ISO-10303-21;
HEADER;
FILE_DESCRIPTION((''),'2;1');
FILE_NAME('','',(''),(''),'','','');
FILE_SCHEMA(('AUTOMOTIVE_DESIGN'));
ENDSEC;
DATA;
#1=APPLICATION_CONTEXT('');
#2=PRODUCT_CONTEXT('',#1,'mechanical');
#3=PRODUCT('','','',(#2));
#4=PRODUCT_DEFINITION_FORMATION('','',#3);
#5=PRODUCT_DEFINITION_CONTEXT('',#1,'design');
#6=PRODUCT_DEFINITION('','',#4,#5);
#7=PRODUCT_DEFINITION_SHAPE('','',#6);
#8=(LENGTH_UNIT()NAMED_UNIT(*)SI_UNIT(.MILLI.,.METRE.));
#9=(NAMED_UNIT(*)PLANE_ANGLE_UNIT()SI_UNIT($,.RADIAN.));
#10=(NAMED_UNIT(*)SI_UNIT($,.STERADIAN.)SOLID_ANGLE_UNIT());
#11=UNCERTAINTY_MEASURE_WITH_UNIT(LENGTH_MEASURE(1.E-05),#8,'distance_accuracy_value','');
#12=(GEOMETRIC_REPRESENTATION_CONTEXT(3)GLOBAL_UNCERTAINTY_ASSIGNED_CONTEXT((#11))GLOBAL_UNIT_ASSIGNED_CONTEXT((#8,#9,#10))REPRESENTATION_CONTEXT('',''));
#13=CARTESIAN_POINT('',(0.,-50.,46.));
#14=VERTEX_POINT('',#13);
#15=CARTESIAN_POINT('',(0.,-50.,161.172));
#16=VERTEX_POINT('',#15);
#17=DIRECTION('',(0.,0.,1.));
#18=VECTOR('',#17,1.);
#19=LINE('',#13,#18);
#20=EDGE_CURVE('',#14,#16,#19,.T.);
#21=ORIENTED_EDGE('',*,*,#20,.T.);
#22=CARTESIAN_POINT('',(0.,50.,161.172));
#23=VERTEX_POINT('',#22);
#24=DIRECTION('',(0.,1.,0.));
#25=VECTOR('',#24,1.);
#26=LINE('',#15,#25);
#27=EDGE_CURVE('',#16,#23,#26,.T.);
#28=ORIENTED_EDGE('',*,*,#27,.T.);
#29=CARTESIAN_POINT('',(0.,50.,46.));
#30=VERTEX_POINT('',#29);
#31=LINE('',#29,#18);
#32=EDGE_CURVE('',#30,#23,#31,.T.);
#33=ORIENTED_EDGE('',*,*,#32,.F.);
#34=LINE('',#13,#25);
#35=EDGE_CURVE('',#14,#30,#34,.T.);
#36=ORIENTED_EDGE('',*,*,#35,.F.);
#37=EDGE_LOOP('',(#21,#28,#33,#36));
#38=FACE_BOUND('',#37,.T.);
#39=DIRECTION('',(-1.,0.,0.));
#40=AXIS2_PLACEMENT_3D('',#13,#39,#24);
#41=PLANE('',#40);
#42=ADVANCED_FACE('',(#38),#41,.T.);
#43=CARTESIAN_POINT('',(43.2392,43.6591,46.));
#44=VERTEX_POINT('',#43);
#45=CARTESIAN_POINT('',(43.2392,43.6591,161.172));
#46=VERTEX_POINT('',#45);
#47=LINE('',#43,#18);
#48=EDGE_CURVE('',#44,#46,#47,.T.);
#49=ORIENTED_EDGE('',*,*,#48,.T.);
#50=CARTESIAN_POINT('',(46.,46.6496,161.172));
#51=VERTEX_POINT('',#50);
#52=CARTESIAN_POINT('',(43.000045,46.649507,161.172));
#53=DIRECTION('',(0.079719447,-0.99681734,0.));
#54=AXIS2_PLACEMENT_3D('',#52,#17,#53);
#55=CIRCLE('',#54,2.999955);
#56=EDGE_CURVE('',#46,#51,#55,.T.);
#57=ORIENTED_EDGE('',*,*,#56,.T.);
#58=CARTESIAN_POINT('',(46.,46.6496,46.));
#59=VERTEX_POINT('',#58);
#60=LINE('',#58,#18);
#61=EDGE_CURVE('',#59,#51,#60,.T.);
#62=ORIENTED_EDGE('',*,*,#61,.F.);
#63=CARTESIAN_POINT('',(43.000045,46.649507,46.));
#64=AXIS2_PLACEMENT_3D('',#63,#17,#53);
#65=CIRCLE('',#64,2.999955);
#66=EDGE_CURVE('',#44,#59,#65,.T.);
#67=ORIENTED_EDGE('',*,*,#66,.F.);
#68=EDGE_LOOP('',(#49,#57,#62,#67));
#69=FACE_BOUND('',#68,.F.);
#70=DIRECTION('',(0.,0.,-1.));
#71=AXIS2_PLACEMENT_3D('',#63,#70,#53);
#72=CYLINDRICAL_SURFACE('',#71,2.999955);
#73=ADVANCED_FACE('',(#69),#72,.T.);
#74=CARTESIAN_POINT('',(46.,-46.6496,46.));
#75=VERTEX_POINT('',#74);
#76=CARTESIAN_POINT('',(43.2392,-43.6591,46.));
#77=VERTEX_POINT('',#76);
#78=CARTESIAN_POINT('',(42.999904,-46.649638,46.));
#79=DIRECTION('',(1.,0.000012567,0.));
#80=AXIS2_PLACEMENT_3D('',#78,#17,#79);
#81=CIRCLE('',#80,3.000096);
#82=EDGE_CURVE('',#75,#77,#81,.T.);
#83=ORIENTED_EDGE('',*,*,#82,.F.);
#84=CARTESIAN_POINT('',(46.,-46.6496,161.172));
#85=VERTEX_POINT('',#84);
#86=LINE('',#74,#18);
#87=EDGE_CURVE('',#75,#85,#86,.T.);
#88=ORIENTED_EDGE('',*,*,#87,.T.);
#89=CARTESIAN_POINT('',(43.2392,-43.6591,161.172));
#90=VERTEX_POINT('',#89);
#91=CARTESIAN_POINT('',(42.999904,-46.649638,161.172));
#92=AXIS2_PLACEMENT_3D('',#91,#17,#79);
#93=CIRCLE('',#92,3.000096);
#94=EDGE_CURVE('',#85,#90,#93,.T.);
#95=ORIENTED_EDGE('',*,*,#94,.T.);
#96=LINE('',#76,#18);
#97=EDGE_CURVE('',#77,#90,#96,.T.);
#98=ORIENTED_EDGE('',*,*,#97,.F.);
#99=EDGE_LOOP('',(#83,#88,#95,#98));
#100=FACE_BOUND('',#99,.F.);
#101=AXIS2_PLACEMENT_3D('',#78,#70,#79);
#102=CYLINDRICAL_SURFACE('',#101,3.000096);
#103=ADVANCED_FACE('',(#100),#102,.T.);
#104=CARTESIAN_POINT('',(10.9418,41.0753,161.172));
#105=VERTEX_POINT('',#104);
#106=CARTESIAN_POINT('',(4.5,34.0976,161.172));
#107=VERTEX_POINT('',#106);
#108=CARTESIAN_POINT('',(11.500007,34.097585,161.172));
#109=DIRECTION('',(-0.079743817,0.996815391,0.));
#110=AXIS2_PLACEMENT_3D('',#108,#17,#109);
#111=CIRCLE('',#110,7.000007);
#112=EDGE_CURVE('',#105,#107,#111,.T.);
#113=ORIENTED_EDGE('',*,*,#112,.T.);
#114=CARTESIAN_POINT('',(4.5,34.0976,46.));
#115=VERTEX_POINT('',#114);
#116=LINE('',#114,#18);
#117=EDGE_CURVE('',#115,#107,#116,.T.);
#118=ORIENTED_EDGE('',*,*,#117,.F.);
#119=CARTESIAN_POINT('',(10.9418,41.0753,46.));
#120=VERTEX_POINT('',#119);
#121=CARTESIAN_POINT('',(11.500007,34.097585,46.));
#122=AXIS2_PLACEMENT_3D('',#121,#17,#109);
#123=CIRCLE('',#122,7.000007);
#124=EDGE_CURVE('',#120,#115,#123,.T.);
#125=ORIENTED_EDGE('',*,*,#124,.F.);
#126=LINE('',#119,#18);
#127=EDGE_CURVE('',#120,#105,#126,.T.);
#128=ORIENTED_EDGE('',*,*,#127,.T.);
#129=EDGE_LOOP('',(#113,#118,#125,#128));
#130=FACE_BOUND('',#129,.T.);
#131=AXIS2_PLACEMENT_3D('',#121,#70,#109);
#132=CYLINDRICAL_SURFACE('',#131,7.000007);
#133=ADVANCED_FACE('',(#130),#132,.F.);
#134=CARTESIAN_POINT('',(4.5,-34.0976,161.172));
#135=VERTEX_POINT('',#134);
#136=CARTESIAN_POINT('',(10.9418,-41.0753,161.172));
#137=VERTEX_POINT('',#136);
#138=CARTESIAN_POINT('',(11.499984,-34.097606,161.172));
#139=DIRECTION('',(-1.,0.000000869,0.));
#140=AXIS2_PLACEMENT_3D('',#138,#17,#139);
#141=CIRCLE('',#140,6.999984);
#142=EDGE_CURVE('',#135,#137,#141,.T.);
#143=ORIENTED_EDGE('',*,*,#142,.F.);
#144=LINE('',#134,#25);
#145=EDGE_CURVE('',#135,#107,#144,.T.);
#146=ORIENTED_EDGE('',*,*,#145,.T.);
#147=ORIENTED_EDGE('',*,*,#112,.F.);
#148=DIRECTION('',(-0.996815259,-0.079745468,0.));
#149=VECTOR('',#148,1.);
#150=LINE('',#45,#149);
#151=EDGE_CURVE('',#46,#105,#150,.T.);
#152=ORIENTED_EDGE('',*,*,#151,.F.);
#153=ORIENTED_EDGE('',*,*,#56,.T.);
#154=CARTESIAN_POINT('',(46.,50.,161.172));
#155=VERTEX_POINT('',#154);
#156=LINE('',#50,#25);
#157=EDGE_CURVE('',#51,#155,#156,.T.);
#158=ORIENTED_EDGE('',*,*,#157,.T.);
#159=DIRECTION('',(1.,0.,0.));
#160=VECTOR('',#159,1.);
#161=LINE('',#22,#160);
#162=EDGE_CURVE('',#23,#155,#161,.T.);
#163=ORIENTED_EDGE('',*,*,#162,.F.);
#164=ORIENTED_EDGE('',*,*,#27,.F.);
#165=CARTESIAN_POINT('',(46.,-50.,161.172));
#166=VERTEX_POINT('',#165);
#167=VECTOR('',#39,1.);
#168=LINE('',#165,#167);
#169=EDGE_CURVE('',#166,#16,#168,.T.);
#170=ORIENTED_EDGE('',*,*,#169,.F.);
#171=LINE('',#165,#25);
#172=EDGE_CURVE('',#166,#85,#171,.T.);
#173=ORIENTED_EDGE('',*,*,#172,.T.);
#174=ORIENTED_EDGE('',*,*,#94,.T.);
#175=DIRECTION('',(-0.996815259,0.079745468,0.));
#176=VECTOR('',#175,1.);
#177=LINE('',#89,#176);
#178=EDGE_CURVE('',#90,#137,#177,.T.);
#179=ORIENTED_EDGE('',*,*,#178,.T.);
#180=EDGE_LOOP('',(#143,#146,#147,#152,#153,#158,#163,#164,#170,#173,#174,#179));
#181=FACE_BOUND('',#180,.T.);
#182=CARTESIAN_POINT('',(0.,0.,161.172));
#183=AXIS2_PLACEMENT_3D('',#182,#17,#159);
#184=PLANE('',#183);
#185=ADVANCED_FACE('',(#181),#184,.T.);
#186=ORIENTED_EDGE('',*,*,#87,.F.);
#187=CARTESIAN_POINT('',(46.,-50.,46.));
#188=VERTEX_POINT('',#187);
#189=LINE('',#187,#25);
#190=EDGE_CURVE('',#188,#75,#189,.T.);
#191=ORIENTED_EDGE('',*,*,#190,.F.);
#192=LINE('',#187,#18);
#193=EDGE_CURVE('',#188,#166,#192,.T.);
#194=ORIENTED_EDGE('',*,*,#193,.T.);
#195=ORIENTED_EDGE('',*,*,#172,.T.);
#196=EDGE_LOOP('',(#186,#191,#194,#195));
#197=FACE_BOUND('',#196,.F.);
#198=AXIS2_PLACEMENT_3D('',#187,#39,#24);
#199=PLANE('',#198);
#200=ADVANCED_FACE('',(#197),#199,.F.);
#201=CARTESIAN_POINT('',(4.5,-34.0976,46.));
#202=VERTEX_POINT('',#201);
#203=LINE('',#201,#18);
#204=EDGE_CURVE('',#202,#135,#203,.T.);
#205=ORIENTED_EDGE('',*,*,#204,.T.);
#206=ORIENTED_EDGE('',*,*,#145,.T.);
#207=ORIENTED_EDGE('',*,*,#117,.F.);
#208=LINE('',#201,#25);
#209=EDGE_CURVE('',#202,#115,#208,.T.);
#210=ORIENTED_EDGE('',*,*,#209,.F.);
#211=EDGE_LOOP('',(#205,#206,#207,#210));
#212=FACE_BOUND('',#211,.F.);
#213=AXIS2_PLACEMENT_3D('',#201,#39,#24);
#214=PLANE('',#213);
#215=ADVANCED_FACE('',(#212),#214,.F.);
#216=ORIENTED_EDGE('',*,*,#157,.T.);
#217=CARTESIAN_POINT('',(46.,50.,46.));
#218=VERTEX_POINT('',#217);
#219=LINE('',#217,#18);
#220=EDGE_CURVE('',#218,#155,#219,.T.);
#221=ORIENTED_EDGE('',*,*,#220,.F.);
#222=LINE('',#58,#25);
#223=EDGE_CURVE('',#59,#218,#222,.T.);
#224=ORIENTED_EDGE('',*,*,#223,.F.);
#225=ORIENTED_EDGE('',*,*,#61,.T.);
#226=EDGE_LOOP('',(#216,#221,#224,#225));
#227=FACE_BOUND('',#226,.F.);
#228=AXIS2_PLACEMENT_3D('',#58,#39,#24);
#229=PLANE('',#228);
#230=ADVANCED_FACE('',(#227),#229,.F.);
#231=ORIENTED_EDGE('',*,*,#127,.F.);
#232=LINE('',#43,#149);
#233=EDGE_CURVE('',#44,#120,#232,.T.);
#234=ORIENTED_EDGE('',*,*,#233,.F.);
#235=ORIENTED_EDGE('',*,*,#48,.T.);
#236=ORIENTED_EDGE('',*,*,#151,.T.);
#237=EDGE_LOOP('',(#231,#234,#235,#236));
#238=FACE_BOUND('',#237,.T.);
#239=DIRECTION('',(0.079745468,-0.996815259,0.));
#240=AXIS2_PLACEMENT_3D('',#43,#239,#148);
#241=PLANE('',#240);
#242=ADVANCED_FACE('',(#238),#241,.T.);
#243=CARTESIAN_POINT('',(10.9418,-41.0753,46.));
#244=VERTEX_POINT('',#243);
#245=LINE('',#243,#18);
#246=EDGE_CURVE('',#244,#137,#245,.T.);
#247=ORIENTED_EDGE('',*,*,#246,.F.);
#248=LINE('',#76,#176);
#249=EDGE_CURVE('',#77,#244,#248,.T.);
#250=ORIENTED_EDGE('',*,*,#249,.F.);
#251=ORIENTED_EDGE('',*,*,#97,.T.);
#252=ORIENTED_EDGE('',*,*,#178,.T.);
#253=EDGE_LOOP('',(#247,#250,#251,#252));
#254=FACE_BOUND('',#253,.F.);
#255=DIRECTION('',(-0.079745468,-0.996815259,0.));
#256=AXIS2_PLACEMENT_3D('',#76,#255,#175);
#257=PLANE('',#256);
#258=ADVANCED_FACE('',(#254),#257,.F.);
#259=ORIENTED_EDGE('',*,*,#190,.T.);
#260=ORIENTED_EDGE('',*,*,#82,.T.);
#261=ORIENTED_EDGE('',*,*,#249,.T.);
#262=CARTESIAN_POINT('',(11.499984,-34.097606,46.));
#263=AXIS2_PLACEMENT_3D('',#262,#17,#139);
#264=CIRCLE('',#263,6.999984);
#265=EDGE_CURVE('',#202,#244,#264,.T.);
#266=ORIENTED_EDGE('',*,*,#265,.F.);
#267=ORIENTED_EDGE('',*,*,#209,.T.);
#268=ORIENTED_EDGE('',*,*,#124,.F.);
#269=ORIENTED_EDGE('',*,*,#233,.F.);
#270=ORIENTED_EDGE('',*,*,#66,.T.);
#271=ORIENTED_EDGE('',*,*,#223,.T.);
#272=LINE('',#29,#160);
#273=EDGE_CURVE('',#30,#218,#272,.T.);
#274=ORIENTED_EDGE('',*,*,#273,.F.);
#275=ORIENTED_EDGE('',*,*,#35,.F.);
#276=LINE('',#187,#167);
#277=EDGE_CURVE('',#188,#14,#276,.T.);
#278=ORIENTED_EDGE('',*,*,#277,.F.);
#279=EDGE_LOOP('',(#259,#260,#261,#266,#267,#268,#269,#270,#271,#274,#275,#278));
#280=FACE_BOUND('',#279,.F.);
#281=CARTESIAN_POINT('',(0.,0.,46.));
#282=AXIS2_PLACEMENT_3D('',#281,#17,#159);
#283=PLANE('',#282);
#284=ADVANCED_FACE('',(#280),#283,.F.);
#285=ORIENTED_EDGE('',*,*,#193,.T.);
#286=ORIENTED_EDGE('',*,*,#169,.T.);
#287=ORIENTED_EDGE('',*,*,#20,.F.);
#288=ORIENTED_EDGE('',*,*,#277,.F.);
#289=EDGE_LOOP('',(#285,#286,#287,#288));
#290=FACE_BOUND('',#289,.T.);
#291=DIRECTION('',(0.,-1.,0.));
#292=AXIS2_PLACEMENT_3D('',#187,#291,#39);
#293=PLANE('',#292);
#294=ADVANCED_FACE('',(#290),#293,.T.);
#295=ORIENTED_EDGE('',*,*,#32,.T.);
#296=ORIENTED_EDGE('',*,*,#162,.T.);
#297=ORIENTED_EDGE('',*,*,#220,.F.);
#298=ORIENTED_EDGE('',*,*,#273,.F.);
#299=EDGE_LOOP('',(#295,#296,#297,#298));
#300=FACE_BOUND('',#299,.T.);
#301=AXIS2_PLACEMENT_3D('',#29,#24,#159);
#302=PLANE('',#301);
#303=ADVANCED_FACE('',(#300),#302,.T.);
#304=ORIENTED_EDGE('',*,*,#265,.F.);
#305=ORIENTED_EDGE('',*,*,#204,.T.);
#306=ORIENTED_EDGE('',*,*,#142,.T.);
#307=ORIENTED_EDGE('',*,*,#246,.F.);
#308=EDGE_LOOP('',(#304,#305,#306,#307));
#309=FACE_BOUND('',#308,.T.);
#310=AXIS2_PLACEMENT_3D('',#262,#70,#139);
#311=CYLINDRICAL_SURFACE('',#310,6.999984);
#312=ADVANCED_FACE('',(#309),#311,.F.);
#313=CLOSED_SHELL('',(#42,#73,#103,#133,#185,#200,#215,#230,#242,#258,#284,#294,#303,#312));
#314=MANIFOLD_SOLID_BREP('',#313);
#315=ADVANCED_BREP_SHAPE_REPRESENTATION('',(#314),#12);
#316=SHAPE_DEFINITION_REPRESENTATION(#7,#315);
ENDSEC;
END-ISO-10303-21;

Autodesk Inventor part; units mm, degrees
ref_plane "Начальная плоскость" through (0, 0, 46) normal (0, 0, 1) x (1, 0, 0)
ref_plane "Конечная плоскость" through (0, 0, 161.172) normal (0, 0, 1) x (1, 0, 0)
sketch "Эскиз" plane through (0, 0, 0) normal (0, 0, 1) x (1, 0, 0)
  line L0 (46, -50) -> (0, -50)
  line L1 (46, -50) -> (46, -46.6496)
  line L2 (43.2392, -43.6591) -> (10.9418, -41.0753)
  line L3 (4.5, -34.0976) -> (4.5, 34.0976)
  line L4 (43.2392, 43.6591) -> (10.9418, 41.0753)
  line L5 (46, 46.6496) -> (46, 50)
  line L6 (0, 50) -> (46, 50)
  line L7 (0, -50) -> (0, 50)
  arc A0 (4.5, -34.0976) -> (10.9418, -41.0753) centre (11.5, -34.0976) ccw
  arc A1 (10.9418, 41.0753) -> (4.5, 34.0976) centre (11.5, 34.0976) ccw
  arc A2 (46, -46.6496) -> (43.2392, -43.6591) centre (43, -46.6496) ccw
  arc A3 (43.2392, 43.6591) -> (46, 46.6496) centre (43, 46.6496) ccw
  line L8 (0, 70) -> (0, -70) construction
  line L9 (-9.3169, 0) -> (55.9016, 0) construction
  point P0 (46, -43.88)
  point P1 (4.5, -40.56)
  point P2 (4.5, 40.56)
  point P3 (46, 43.88)
  dimension "d3" = 46
  dimension "d5" = 4.5
  dimension "d7" = 100
  dimension "d9" = 9.44
  dimension "d11" = 9.44
  dimension "d13" = 6.12
  dimension "d15" = 6.12
  dimension "d22" = 7
  dimension "d23" = 3
  dimension "d24" = 50
  dimension "d25" = 0
extrude "Тело" add sketch "Эскиз" along normal up to surface (115.172 mm away) from surface at 46
sketch "Sketch3" plane through (0, 0, 0) normal (0, 0, 1) x (1, 0, 0)
  line L0 (0, 0) -> (10, 0)
ref_plane "Work Plane7" through (0, 0, 0) normal (0, -1, 0) x (1, 0, 0)
sketch "Sketch4" plane through (0, 0, 0) normal (0, -1, 0) x (1, 0, 0)
  line L0 (-2, 46) -> (12, 46)
  line L1 (-2, 161.172) -> (12, 161.172)
  dimension "d29" = 115.172
ref_plane "РабПлоскость8" through (-1308.544, -50, 46) normal (0, 0, -1) x (-1, 0, 0)
split "Разделение1" plane through (-1308.544, -50, 46) removes the side toward (0, 0, -1)
ref_plane "РабПлоскость9" through (46, -50, 161.172) normal (0, 0, 1) x (1, 0, 0)
split "Разделение2" plane through (46, -50, 161.172) removes the side toward (0, 0, 1)
equation "\"d3\" = b"
equation "\"d5\" = t1"
equation "\"d7\" = ParH"
equation "\"d9\" = msp_x1 + t2"
equation "\"d11\" = msp_x1 + t2"
equation "\"d13\" = -msp_x2 + t2"
equation "\"d15\" = -msp_x2 + t2"
equation "\"d22\" = R"
equation "\"d23\" = R1"
equation "\"d24\" = 0.5 * d7"
equation "\"d16\" = G_L"
equation "\"R1\" = 3"
equation "\"R\" = 7"
equation "\"t1\" = 4.5"
equation "\"t2\" = 7.6"
equation "\"ParH\" = 100"
equation "\"b\" = 46"
equation "\"msp_x1\" = 0.04 * b"
equation "\"msp_x2\" = -0.08 * t1 + 0.04 * b"
equation "\"G_L\" = d29"
equation "\"ex\" = 0"
equation "\"G_OFFSET_START\" = -46"
equation "\"G_OFFSET_END\" = -46"
equation "\"d26\" = -G_OFFSET_START"
equation "\"d27\" = G_OFFSET_END + B_L"
equation "\"B_L\" = 207.172"
properties part number "Швеллер 10U-115,17 ГОСТ 8240-97" material "Сталь, мягкая"
